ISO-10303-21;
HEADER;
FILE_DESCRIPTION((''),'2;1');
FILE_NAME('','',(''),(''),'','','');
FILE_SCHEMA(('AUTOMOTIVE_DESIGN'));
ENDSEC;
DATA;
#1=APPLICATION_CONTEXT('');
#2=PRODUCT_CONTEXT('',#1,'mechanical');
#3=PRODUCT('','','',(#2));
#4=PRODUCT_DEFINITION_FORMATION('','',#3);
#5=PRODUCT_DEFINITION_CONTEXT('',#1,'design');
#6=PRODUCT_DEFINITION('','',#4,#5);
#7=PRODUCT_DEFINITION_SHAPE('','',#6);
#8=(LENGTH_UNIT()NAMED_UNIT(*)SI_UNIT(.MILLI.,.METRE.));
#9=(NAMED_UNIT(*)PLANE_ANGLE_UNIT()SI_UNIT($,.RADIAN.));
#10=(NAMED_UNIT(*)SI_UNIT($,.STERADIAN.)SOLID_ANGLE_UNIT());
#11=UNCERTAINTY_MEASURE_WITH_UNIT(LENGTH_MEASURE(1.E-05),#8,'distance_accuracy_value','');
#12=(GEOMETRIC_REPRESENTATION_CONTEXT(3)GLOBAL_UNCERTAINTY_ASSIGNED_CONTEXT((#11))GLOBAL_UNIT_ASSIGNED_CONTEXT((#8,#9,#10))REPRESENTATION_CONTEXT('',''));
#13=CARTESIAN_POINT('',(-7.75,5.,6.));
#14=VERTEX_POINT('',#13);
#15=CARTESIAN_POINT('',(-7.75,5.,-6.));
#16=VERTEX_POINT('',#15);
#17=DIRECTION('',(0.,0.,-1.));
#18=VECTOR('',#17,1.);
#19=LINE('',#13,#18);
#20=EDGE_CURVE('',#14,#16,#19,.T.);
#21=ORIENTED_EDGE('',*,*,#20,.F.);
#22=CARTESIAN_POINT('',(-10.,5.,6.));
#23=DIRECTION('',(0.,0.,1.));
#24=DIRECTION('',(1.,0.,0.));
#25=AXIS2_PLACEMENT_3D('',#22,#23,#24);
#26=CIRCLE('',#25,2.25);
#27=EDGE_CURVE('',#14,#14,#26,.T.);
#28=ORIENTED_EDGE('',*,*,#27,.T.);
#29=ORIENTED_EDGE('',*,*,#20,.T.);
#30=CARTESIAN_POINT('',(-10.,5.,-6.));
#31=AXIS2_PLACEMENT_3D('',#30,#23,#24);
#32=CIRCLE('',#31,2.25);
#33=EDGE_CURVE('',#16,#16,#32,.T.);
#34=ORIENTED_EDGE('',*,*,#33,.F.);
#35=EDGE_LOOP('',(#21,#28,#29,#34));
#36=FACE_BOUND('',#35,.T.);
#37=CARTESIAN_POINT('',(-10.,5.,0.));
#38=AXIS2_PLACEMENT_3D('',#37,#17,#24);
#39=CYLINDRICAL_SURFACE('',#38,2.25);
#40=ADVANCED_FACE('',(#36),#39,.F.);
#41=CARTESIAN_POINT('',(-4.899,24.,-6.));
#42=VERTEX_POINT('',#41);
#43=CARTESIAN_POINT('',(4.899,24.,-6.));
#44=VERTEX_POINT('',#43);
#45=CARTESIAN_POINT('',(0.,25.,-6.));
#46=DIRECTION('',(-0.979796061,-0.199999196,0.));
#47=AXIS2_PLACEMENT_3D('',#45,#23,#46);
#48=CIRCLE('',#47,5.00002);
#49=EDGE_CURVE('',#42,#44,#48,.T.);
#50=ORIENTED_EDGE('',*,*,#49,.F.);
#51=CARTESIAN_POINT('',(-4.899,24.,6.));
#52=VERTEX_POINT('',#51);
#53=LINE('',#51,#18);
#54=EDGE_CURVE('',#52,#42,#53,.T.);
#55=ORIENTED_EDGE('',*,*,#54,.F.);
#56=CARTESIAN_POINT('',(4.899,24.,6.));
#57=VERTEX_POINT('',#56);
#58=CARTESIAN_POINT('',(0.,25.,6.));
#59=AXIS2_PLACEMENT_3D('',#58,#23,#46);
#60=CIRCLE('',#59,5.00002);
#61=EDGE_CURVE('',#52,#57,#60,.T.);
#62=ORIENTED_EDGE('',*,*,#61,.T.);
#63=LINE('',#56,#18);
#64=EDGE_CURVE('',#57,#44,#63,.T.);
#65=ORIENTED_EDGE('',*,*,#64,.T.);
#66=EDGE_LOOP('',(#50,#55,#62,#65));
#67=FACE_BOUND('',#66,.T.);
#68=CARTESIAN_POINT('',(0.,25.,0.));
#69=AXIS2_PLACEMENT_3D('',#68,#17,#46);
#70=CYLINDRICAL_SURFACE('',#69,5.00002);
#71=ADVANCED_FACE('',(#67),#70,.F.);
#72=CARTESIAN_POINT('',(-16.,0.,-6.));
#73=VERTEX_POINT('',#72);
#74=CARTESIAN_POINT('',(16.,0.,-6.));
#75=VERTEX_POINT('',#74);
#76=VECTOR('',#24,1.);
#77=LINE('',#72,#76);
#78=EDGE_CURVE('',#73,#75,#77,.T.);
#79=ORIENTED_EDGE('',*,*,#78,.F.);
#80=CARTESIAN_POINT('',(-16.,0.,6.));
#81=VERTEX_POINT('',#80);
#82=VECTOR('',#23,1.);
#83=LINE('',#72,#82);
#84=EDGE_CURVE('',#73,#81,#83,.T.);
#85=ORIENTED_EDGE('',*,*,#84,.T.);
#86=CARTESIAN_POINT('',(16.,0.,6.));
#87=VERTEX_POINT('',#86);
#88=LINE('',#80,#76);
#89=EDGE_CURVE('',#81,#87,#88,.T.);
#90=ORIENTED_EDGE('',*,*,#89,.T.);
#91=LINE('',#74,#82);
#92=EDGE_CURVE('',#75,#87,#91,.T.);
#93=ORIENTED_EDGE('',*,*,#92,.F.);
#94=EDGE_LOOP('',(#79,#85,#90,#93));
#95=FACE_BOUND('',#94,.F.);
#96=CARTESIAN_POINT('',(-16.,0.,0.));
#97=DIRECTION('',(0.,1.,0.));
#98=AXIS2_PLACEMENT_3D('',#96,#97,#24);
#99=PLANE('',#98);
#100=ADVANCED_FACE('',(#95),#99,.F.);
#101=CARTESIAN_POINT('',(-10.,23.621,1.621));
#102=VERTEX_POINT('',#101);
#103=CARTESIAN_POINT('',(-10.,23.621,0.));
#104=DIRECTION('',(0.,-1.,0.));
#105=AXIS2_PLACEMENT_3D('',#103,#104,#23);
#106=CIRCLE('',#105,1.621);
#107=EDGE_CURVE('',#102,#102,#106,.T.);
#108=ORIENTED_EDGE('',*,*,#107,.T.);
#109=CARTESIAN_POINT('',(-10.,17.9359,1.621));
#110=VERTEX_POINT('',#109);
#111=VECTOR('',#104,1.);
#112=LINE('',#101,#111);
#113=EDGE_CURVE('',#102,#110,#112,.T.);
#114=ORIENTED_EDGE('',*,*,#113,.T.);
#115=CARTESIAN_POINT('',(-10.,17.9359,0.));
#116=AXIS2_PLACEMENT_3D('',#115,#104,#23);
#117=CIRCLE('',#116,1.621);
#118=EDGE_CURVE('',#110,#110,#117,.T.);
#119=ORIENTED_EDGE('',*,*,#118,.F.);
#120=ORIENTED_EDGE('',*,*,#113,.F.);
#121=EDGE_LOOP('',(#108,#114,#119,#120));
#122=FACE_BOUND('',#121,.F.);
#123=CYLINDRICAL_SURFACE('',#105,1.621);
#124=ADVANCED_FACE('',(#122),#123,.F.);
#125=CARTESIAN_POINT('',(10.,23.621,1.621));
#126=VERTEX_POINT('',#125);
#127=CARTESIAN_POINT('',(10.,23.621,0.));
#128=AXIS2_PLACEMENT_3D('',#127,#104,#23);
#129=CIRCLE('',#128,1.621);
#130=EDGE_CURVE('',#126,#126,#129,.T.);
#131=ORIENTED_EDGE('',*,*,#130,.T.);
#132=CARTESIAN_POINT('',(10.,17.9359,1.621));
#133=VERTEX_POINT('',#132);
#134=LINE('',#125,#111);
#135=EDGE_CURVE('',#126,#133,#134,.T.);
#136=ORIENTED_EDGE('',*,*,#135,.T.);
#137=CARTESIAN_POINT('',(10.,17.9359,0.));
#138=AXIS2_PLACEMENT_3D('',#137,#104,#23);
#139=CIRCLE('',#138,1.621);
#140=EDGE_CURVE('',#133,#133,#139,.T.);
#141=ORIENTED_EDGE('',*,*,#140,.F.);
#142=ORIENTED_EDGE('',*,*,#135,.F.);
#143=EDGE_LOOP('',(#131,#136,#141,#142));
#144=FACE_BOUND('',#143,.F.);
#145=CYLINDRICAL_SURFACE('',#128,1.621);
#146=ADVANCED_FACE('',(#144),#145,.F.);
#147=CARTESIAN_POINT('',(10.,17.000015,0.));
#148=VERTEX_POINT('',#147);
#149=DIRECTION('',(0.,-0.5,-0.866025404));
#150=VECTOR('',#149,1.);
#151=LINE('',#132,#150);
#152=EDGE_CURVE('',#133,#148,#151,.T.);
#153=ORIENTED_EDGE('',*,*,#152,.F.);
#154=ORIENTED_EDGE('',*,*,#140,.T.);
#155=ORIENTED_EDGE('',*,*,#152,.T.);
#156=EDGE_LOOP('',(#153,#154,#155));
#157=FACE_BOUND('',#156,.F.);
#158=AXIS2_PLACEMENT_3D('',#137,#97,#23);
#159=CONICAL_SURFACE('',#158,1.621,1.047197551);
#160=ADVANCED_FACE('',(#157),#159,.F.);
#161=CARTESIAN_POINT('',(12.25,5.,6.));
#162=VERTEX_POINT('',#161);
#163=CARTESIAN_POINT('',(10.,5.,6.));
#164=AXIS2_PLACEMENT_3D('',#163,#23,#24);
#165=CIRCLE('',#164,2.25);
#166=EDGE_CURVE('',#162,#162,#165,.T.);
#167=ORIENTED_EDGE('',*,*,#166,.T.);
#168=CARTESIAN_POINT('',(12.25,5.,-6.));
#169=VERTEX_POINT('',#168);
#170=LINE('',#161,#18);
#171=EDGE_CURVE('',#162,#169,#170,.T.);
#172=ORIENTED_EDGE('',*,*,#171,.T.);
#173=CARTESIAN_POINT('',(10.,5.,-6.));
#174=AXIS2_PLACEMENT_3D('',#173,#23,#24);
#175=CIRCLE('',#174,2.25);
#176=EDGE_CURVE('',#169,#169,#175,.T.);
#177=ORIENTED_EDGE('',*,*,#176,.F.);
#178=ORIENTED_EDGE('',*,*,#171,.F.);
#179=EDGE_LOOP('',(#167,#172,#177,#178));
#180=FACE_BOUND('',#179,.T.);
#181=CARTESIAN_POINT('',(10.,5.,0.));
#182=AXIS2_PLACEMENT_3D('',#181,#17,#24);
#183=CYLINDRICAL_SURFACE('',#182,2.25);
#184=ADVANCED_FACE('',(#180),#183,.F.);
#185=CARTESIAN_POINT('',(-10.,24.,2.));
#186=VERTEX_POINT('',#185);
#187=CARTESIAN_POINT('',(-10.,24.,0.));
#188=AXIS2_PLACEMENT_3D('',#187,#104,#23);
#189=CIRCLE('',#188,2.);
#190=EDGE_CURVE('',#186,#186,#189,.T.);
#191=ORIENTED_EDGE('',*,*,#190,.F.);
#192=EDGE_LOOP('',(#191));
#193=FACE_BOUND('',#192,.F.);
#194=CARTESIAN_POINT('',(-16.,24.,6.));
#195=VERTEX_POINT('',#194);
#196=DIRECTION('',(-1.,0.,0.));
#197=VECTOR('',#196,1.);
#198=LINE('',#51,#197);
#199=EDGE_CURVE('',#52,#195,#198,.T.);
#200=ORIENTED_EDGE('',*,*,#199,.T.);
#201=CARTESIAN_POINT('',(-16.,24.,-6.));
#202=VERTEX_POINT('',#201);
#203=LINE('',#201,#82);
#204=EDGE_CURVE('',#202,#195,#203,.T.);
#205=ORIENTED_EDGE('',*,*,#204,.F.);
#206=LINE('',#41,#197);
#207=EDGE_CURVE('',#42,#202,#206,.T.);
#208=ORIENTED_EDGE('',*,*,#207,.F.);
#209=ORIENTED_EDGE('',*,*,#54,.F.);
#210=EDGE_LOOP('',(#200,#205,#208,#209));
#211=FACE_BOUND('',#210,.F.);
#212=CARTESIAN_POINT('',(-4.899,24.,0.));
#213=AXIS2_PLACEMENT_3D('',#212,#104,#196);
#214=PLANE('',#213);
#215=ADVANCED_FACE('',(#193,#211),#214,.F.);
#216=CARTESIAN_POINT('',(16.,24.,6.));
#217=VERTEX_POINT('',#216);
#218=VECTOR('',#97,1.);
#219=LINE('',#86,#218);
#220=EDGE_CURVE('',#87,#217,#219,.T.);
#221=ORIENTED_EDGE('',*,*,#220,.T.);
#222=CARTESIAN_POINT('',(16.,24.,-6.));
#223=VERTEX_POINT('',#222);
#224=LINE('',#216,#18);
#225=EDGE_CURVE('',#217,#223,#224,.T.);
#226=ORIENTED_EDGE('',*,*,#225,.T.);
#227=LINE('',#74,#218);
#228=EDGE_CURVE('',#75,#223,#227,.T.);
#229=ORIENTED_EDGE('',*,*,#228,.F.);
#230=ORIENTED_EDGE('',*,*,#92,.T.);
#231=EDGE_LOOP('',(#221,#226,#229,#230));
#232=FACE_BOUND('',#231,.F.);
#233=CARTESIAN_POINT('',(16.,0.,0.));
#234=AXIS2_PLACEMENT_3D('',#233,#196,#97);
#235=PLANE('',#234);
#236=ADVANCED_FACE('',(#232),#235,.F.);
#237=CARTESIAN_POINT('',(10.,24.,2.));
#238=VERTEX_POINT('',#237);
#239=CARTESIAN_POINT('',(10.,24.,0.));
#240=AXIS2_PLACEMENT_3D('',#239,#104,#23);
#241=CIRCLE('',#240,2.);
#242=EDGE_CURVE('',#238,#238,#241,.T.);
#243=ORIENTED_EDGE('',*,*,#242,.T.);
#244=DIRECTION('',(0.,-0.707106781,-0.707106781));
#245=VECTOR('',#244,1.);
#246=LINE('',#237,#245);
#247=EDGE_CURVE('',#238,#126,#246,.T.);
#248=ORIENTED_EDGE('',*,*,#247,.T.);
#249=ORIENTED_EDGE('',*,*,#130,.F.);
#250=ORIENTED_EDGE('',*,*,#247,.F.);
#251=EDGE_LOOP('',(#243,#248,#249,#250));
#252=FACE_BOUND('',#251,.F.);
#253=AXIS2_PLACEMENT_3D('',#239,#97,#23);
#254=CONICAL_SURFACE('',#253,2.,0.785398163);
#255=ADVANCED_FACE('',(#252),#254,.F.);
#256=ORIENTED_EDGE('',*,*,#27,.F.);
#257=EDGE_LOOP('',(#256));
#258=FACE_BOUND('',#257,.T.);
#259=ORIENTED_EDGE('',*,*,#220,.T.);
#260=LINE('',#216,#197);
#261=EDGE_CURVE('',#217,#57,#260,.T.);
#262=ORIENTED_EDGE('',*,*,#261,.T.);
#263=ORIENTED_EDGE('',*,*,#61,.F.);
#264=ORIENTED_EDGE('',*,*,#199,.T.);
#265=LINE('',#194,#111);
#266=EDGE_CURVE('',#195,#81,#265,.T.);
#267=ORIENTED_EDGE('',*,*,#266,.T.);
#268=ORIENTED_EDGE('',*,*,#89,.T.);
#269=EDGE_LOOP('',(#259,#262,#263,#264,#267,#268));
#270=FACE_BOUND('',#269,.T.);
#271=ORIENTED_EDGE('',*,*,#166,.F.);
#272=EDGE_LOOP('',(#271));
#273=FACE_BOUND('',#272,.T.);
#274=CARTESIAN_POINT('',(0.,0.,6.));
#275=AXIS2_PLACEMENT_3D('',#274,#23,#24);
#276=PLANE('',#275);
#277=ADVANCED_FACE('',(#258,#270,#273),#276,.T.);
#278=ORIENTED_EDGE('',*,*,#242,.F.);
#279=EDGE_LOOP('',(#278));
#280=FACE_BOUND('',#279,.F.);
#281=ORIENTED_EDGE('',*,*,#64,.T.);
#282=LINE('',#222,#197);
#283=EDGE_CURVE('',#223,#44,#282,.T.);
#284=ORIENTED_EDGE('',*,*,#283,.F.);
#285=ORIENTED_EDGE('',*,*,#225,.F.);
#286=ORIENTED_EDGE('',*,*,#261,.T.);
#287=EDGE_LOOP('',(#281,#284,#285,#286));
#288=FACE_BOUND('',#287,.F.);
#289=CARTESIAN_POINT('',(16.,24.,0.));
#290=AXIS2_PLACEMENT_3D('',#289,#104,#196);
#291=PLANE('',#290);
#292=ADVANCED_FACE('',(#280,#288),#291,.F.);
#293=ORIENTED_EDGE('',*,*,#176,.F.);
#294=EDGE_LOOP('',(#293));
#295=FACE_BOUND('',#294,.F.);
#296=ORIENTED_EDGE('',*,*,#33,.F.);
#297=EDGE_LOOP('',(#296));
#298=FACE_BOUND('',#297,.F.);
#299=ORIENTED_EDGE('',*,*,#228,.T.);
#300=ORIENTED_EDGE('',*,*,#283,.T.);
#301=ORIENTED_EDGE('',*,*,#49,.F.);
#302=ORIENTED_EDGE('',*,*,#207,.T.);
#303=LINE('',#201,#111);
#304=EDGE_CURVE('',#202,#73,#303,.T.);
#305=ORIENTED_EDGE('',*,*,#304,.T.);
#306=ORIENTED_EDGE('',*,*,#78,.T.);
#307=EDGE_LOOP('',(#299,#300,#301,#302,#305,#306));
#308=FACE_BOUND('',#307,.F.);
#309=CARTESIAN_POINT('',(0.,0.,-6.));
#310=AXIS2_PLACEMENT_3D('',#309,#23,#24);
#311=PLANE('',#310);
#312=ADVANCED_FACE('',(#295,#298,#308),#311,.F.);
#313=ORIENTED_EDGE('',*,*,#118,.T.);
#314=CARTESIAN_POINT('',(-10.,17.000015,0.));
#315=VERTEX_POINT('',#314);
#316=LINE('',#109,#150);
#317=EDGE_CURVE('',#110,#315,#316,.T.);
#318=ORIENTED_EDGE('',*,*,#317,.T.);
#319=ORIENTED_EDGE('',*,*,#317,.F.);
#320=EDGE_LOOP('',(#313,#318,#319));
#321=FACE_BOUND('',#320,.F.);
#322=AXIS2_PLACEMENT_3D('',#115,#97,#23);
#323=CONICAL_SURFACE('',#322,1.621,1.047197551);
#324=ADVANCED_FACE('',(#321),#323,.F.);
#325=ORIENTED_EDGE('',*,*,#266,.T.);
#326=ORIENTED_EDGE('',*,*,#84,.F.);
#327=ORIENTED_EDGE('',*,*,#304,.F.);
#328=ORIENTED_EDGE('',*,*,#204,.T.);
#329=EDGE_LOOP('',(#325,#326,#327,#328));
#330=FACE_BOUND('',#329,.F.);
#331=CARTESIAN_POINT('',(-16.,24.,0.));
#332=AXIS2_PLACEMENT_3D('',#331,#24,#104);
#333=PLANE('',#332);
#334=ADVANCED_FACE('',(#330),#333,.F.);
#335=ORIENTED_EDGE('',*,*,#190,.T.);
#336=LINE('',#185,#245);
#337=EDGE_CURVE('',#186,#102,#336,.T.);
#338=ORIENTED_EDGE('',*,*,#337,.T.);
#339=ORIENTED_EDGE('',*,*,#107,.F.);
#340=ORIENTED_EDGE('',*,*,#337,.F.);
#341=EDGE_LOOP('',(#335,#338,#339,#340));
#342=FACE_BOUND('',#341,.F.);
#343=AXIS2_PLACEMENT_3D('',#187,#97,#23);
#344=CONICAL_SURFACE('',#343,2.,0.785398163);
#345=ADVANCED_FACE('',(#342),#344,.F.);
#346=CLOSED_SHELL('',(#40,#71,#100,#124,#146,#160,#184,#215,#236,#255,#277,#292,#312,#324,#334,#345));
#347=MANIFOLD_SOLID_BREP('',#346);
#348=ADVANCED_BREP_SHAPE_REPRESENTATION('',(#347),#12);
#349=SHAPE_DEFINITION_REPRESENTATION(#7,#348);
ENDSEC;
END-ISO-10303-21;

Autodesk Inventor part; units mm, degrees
sketch "Sketch_10" plane through (0, 0, 0) normal (0, 0, 1) x (1, 0, 0)
  line L0 (-16, 24) -> (-16, 0)
  line L1 (-16, 0) -> (16, 0)
  line L2 (16, 0) -> (16, 24)
  line L3 (16, 24) -> (4.899, 24)
  arc A0 (-4.899, 24) -> (4.899, 24) centre (0, 25) ccw
  line L4 (-4.899, 24) -> (-16, 24)
extrude "Extrusion1" add sketch "Sketch_10" along normal mid plane 12
sketch "Sketch2" plane through (4.899, 24, 6) normal (0, 1, 0) x (1, 0, 0)
  point P0 (5.101, 6)
hole "Hole1" at (10, 24, 0) direction (0, -1, 0) diameter 3.242 depth 6.0641 tip angle 120 countersink diameter 4 countersink angle 90 thread size "M4x0.7" class "6H" standard "ISO Metric profile"
sketch "Sketch3" plane through (-16, 24, 6) normal (0, 1, 0) x (1, 0, 0)
  point P0 (6, 6)
hole "Hole2" at (-10, 24, 0) direction (0, -1, 0) diameter 3.242 depth 6.0641 tip angle 120 countersink diameter 4 countersink angle 90 thread size "M4x0.7" class "6H" standard "ISO Metric profile"
sketch "Sketch_2" plane through (0, 0, 0) normal (0, 0, 1) x (1, 0, 0)
  circle A0 centre (10, 5) radius 2.25
extrude "Extrusion2" cut sketch "Sketch_2" along normal mid plane 12
sketch "Sketch_3" plane through (0, 0, 0) normal (0, 0, 1) x (1, 0, 0)
  circle A0 centre (-10, 5) radius 2.25
extrude "Extrusion3" cut sketch "Sketch_3" along normal mid plane 12
ref_plane "bolt2_to_body_XY" through (-10, 30.5, 0) normal (0, 1, 0) x (1, 0, 0)
ref_plane "bolt2_to_body_YZ" through (-10, 30.5, 0) normal (1, 0, 0) x (0, 0, -1)
ref_plane "bolt2_to_body_ZX" through (-10, 30.5, 0) normal (0, 0, -1) x (0, 1, 0)
ref_plane "bolt_to_body_XY" through (10, 30.5, 0) normal (0, 1, 0) x (1, 0, 0)
ref_plane "bolt_to_body_YZ" through (10, 30.5, 0) normal (1, 0, 0) x (0, 0, -1)
ref_plane "bolt_to_body_ZX" through (10, 30.5, 0) normal (0, 0, -1) x (0, 1, 0)
ref_plane "p_to_body_XY" through (0, 0, 0) normal (0, 1, 0) x (1, 0, 0)
ref_plane "p_to_body_YZ" through (0, 0, 0) normal (1, 0, 0) x (0, 0, -1)
ref_plane "p_to_body_ZX" through (0, 0, 0) normal (0, 0, -1) x (0, 1, 0)
properties part number "SHZA10-25_b"
